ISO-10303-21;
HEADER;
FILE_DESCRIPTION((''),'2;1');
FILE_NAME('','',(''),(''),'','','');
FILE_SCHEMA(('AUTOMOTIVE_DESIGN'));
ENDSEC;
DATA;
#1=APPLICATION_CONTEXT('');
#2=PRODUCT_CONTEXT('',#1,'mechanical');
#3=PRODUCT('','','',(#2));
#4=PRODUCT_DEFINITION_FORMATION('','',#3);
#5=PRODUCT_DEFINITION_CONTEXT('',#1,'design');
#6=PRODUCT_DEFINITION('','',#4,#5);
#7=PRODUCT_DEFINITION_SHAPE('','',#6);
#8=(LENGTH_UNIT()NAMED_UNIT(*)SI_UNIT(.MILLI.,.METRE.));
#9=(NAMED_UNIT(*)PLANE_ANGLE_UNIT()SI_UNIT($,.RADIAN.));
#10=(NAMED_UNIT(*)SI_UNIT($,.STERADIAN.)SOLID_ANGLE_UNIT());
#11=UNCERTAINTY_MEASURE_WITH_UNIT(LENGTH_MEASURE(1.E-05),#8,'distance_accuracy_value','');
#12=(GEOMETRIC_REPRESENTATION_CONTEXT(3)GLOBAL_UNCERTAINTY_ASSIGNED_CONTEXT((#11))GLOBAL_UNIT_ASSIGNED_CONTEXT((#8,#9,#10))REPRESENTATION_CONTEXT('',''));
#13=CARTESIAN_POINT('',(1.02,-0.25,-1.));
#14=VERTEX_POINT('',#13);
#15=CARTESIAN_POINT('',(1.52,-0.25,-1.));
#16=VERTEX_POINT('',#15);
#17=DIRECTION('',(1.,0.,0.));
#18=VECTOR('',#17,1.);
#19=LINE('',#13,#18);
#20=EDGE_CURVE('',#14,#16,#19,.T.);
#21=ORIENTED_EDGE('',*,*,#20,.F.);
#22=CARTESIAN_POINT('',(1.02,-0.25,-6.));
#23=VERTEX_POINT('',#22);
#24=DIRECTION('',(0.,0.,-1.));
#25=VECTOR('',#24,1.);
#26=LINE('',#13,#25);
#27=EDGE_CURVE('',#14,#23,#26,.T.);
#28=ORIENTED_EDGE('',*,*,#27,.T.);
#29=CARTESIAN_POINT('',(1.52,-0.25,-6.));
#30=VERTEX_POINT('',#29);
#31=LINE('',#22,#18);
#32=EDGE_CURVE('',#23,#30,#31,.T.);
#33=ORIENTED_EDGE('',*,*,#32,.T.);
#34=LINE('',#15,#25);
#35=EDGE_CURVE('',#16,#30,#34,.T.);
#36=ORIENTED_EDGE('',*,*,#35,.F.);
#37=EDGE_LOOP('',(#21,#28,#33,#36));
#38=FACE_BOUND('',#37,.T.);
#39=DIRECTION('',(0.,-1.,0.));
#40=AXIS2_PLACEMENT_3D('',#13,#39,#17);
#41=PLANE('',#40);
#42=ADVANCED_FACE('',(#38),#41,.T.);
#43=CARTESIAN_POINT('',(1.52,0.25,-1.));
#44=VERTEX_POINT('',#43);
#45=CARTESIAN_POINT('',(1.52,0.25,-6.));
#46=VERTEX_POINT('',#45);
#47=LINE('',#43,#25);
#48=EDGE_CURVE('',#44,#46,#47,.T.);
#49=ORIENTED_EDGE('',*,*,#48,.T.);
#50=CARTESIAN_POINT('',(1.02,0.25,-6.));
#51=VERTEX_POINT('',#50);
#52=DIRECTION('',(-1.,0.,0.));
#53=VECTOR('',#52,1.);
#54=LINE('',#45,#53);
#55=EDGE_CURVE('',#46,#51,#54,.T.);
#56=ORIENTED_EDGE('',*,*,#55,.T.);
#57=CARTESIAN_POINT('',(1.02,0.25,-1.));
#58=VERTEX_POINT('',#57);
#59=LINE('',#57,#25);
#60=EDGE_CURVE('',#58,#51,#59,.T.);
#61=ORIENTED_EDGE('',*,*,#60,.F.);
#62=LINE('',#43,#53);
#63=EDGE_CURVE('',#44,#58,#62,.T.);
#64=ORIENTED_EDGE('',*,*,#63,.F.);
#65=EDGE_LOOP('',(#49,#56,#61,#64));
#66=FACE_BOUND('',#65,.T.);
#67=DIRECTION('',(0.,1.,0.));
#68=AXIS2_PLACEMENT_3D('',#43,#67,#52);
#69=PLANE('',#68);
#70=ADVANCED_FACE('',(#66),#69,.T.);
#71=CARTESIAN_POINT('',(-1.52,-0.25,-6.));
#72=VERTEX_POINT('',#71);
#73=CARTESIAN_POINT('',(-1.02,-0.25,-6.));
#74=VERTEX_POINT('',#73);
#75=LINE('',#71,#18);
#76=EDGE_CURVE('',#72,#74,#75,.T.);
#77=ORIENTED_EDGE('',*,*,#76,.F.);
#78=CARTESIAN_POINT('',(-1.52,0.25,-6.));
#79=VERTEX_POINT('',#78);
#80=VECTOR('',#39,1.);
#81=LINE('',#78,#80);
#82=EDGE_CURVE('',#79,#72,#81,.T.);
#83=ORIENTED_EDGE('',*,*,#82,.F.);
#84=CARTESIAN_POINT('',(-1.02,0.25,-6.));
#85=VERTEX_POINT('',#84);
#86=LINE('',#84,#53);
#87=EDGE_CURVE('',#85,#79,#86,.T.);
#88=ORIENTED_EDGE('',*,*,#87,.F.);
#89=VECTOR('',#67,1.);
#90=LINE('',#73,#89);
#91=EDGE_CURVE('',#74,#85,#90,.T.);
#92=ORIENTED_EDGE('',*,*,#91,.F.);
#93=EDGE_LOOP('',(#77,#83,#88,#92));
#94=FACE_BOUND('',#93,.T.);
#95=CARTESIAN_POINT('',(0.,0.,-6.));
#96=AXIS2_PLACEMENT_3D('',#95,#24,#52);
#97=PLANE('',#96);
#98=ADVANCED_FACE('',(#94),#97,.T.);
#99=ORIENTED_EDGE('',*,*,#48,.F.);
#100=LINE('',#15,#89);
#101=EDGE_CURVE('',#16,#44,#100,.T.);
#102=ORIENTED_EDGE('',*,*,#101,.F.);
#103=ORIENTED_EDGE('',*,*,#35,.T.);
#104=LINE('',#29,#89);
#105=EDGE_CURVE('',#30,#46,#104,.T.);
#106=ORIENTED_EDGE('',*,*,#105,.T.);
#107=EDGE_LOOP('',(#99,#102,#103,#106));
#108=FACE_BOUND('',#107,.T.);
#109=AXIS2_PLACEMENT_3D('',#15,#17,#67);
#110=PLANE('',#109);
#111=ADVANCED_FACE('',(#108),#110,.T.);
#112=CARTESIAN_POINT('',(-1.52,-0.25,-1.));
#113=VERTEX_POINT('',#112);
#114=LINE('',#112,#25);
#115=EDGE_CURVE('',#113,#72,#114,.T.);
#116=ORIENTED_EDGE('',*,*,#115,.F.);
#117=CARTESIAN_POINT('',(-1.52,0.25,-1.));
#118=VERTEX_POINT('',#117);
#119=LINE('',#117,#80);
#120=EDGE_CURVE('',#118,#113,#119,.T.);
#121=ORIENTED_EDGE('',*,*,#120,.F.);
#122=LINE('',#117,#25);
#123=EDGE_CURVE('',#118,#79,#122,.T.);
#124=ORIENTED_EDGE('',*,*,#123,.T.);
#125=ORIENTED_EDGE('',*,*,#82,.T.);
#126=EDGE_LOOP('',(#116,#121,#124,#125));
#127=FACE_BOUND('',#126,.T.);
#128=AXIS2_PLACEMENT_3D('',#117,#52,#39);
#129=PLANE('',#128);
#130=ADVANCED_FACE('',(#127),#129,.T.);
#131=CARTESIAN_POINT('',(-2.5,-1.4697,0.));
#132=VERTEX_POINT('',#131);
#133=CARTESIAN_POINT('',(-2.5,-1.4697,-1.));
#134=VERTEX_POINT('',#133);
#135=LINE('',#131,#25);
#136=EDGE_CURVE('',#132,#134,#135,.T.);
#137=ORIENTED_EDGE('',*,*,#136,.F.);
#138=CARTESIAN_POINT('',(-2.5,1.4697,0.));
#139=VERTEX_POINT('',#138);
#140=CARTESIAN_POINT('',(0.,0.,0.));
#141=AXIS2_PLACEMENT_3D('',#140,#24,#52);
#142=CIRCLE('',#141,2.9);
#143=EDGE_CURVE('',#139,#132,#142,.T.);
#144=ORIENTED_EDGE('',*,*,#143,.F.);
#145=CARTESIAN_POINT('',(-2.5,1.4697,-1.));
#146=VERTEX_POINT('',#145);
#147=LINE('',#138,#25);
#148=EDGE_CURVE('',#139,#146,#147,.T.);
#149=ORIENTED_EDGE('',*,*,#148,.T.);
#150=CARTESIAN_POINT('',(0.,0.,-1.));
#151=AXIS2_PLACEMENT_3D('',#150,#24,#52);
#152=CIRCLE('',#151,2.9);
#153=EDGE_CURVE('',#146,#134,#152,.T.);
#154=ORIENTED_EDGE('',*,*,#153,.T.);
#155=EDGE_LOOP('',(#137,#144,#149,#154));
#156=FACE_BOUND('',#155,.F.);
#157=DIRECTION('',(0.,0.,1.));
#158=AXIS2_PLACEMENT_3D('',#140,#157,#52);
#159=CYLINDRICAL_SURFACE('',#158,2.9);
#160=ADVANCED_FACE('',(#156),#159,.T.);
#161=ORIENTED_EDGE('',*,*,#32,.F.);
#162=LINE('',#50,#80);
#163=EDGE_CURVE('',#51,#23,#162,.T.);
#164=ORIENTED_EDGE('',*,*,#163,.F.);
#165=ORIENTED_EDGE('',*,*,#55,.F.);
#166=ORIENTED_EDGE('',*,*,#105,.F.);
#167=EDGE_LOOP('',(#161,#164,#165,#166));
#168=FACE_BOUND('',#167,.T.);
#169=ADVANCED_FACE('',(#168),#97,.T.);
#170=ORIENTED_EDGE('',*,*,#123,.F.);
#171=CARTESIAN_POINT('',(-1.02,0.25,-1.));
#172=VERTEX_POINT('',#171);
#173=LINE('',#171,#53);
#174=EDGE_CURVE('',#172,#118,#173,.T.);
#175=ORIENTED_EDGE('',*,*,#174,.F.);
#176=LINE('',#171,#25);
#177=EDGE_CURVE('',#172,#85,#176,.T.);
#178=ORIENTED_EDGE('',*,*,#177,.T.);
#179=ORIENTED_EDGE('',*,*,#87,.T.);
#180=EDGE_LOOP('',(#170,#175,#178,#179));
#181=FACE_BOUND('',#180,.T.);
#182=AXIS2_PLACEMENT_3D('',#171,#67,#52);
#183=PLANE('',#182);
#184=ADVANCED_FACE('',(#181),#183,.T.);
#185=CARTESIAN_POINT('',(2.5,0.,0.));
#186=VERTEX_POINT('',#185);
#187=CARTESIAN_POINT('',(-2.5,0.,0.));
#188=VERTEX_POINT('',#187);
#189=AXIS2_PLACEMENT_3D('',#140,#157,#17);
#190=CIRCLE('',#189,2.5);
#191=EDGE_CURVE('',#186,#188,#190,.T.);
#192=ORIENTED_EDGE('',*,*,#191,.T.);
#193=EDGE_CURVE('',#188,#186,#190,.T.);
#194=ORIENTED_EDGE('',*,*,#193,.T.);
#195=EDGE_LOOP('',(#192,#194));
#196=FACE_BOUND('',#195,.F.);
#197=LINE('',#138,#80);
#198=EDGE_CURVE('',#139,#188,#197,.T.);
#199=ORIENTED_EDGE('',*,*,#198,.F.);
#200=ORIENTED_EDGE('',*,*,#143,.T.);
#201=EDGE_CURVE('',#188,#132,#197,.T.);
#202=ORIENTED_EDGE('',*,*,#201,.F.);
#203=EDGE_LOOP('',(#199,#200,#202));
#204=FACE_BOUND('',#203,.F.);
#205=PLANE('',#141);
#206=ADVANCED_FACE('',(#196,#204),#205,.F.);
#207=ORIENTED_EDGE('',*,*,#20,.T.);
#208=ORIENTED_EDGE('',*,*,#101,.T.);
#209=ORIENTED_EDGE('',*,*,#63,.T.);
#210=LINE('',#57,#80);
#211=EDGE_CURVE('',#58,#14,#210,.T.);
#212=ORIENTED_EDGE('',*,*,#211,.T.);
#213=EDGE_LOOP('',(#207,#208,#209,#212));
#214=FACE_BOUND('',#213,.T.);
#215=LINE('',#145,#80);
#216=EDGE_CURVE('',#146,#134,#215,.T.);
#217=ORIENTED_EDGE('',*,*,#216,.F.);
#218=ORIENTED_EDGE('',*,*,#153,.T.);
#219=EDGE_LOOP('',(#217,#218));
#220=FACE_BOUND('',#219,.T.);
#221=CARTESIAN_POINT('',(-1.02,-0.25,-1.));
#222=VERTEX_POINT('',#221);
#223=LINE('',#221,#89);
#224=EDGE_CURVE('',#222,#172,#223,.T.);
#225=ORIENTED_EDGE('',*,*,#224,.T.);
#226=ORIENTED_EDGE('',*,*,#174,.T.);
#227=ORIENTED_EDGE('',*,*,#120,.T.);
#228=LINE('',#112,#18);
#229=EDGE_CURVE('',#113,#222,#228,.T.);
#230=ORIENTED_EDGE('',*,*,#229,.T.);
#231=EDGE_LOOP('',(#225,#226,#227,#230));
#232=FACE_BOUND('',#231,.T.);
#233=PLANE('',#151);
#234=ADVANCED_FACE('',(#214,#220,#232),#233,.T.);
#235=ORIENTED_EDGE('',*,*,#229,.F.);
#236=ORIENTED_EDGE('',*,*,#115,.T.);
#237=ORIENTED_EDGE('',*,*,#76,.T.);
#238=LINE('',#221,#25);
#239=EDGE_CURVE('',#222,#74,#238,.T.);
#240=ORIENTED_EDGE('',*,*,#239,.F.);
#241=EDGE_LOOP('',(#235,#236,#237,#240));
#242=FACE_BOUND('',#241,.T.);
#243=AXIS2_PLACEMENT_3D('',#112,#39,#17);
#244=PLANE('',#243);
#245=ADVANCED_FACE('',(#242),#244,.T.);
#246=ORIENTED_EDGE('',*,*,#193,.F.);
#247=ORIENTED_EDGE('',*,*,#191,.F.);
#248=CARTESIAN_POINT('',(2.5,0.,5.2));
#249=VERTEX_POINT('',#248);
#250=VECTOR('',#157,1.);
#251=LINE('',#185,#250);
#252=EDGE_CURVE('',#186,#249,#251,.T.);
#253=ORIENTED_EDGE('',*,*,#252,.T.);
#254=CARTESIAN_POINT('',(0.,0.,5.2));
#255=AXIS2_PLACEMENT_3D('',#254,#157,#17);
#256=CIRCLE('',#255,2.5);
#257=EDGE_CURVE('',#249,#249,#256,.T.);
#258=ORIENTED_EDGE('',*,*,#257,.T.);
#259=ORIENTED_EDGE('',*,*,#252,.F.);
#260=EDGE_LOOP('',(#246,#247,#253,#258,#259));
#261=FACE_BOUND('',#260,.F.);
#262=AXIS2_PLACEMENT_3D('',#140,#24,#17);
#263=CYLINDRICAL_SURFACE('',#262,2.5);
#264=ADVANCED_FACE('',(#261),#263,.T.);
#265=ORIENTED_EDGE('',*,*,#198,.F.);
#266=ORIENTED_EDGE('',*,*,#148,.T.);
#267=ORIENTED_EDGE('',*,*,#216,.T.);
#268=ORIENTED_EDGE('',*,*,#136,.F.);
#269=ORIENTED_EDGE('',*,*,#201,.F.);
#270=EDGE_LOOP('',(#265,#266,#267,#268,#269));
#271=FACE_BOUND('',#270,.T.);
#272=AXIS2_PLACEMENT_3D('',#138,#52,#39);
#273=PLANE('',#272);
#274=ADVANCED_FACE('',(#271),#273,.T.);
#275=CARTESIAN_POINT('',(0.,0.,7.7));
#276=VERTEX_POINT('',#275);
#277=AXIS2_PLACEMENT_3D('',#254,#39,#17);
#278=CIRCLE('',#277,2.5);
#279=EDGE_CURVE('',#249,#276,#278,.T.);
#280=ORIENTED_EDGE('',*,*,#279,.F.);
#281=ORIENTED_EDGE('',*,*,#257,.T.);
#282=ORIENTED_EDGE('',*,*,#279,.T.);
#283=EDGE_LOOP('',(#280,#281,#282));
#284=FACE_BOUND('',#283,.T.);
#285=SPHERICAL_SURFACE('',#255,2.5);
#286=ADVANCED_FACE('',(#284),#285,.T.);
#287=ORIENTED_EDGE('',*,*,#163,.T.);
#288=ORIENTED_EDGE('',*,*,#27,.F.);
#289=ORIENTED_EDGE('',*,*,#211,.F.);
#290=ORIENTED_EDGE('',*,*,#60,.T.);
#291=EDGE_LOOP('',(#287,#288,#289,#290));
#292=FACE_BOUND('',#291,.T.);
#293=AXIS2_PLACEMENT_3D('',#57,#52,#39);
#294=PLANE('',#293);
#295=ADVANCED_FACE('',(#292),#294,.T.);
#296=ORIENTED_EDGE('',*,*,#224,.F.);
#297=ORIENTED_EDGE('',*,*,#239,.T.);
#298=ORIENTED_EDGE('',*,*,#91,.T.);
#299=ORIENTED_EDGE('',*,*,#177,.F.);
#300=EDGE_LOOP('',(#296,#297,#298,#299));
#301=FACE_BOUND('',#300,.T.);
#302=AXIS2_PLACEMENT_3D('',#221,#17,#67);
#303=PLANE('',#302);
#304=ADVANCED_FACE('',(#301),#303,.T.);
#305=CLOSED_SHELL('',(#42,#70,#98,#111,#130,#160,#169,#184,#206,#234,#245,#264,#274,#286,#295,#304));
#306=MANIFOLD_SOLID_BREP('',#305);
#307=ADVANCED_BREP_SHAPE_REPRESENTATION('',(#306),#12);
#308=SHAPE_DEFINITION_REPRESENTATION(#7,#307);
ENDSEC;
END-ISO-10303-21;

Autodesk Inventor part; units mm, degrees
ref_plane "YZ Plane" through (0, 0, 0) normal (1, 0, 0) x (0, 1, 0)
ref_plane "XZ Plane" through (0, 0, 0) normal (0, 1, 0) x (-1, 0, 0)
ref_plane "XY Plane" through (0, 0, 0) normal (0, 0, 1) x (1, 0, 0)
sketch "スケッチ1" plane through (0, 0, 0) normal (0, 0, 1) x (1, 0, 0)
  circle A0 centre (0, 0) radius 2.5
  dimension "d0" = 5
extrude "押し出し1" add sketch "スケッチ1" along normal blind 7.7
fillet "フィレット1" radius 2.5 1 edges at (-2.5, 0, 7.7)
sketch "スケッチ2" plane through (0, 0, 0) normal (0, 0, -1) x (-1, 0, 0)
  circle A0 centre (0, 0) radius 2.9
  line L0 (2.5, 1.4697) -> (2.5, -1.4697)
  circle A1 centre (0, 0) radius 2.5 projected
  dimension "d4" = 5.8
extrude "押し出し2" add sketch "スケッチ2" along normal blind 1 contours A1 | L0 A0 picked at (2.1443, -1.7224)
sketch "スケッチ3" plane through (0, 0, -1) normal (0, 0, -1) x (-1, 0, 0)
  line L0 (-1.52, 0.25) -> (-1.02, 0.25)
  line L1 (-1.02, 0.25) -> (-1.02, -0.25)
  line L2 (-1.02, -0.25) -> (-1.52, -0.25)
  line L3 (-1.52, -0.25) -> (-1.52, 0.25)
  line L4 (1.02, 0.25) -> (1.52, 0.25)
  line L5 (1.52, 0.25) -> (1.52, -0.25)
  line L6 (1.52, -0.25) -> (1.02, -0.25)
  line L7 (1.02, -0.25) -> (1.02, 0.25)
  line L8 (0, 1.603) -> (0, -1.603) construction
  line L9 (-1.27, -1.601) -> (-1.27, 1.6049) construction
  line L10 (1.27, 1.6049) -> (1.27, -1.601) construction
  point P0 (0, 0)
  point P1 (-1.02, 0)
  point P2 (1.02, 0)
  point P3 (0, 0)
  point P4 (-1.27, 0.25)
  point P5 (1.27, 0.25)
  dimension "d7" = 0.5
  dimension "d8" = 0.5
  dimension "d9" = 2.54
extrude "押し出し3" add sketch "スケッチ3" along normal blind 5
properties part number "LED"
